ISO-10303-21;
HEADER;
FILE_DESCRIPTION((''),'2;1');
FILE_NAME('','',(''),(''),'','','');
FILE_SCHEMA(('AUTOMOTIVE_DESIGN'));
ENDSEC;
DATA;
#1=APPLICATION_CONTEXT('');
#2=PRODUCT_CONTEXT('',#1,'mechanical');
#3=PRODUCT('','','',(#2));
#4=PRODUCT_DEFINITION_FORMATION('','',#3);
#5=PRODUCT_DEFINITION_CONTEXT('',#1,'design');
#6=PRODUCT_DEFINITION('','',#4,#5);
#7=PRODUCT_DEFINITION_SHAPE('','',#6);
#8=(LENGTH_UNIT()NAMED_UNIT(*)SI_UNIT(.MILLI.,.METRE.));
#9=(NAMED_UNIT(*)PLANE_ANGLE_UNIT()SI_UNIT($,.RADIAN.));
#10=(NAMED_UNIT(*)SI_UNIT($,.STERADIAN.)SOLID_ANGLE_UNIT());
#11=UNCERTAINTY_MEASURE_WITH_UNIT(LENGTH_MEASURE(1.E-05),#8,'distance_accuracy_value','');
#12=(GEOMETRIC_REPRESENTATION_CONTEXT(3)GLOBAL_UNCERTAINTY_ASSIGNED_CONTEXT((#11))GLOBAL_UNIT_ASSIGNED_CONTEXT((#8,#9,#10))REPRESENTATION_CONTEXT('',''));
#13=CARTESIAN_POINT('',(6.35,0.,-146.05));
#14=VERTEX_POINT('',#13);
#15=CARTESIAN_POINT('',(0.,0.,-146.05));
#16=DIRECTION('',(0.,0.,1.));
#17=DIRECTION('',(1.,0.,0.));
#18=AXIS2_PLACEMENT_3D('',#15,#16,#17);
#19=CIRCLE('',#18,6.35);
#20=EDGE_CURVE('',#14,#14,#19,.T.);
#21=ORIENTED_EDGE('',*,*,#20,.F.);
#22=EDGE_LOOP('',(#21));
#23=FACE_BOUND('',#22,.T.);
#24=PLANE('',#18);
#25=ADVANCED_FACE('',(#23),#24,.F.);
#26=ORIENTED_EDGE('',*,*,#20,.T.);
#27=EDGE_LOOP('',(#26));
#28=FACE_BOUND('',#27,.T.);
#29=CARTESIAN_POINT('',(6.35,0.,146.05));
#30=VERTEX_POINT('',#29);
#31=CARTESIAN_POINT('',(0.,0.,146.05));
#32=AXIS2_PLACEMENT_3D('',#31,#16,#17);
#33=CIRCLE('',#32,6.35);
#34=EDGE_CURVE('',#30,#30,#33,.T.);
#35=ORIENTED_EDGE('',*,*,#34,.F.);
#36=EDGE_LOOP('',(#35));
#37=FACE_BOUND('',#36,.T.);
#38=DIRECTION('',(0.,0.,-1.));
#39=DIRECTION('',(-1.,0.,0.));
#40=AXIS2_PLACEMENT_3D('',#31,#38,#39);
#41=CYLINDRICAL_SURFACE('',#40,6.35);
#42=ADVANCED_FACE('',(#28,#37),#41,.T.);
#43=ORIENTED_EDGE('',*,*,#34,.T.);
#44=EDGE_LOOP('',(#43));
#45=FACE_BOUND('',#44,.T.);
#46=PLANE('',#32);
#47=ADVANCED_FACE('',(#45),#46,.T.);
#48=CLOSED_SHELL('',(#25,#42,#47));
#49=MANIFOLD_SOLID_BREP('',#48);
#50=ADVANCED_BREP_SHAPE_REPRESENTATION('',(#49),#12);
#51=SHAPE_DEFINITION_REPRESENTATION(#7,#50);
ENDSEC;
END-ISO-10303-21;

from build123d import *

# Parameters (mm, degrees)
SKETCH1_R           = 6.35
BOSS_EXTRUDE1_DEPTH = 146.05


with BuildPart() as part:
    # Sketch1 → Boss-Extrude1 (new body, symmetric)
    with BuildSketch(Plane.XY):
        Circle(SKETCH1_R)
    extrude(amount=BOSS_EXTRUDE1_DEPTH, both=True)


solid = part.part
